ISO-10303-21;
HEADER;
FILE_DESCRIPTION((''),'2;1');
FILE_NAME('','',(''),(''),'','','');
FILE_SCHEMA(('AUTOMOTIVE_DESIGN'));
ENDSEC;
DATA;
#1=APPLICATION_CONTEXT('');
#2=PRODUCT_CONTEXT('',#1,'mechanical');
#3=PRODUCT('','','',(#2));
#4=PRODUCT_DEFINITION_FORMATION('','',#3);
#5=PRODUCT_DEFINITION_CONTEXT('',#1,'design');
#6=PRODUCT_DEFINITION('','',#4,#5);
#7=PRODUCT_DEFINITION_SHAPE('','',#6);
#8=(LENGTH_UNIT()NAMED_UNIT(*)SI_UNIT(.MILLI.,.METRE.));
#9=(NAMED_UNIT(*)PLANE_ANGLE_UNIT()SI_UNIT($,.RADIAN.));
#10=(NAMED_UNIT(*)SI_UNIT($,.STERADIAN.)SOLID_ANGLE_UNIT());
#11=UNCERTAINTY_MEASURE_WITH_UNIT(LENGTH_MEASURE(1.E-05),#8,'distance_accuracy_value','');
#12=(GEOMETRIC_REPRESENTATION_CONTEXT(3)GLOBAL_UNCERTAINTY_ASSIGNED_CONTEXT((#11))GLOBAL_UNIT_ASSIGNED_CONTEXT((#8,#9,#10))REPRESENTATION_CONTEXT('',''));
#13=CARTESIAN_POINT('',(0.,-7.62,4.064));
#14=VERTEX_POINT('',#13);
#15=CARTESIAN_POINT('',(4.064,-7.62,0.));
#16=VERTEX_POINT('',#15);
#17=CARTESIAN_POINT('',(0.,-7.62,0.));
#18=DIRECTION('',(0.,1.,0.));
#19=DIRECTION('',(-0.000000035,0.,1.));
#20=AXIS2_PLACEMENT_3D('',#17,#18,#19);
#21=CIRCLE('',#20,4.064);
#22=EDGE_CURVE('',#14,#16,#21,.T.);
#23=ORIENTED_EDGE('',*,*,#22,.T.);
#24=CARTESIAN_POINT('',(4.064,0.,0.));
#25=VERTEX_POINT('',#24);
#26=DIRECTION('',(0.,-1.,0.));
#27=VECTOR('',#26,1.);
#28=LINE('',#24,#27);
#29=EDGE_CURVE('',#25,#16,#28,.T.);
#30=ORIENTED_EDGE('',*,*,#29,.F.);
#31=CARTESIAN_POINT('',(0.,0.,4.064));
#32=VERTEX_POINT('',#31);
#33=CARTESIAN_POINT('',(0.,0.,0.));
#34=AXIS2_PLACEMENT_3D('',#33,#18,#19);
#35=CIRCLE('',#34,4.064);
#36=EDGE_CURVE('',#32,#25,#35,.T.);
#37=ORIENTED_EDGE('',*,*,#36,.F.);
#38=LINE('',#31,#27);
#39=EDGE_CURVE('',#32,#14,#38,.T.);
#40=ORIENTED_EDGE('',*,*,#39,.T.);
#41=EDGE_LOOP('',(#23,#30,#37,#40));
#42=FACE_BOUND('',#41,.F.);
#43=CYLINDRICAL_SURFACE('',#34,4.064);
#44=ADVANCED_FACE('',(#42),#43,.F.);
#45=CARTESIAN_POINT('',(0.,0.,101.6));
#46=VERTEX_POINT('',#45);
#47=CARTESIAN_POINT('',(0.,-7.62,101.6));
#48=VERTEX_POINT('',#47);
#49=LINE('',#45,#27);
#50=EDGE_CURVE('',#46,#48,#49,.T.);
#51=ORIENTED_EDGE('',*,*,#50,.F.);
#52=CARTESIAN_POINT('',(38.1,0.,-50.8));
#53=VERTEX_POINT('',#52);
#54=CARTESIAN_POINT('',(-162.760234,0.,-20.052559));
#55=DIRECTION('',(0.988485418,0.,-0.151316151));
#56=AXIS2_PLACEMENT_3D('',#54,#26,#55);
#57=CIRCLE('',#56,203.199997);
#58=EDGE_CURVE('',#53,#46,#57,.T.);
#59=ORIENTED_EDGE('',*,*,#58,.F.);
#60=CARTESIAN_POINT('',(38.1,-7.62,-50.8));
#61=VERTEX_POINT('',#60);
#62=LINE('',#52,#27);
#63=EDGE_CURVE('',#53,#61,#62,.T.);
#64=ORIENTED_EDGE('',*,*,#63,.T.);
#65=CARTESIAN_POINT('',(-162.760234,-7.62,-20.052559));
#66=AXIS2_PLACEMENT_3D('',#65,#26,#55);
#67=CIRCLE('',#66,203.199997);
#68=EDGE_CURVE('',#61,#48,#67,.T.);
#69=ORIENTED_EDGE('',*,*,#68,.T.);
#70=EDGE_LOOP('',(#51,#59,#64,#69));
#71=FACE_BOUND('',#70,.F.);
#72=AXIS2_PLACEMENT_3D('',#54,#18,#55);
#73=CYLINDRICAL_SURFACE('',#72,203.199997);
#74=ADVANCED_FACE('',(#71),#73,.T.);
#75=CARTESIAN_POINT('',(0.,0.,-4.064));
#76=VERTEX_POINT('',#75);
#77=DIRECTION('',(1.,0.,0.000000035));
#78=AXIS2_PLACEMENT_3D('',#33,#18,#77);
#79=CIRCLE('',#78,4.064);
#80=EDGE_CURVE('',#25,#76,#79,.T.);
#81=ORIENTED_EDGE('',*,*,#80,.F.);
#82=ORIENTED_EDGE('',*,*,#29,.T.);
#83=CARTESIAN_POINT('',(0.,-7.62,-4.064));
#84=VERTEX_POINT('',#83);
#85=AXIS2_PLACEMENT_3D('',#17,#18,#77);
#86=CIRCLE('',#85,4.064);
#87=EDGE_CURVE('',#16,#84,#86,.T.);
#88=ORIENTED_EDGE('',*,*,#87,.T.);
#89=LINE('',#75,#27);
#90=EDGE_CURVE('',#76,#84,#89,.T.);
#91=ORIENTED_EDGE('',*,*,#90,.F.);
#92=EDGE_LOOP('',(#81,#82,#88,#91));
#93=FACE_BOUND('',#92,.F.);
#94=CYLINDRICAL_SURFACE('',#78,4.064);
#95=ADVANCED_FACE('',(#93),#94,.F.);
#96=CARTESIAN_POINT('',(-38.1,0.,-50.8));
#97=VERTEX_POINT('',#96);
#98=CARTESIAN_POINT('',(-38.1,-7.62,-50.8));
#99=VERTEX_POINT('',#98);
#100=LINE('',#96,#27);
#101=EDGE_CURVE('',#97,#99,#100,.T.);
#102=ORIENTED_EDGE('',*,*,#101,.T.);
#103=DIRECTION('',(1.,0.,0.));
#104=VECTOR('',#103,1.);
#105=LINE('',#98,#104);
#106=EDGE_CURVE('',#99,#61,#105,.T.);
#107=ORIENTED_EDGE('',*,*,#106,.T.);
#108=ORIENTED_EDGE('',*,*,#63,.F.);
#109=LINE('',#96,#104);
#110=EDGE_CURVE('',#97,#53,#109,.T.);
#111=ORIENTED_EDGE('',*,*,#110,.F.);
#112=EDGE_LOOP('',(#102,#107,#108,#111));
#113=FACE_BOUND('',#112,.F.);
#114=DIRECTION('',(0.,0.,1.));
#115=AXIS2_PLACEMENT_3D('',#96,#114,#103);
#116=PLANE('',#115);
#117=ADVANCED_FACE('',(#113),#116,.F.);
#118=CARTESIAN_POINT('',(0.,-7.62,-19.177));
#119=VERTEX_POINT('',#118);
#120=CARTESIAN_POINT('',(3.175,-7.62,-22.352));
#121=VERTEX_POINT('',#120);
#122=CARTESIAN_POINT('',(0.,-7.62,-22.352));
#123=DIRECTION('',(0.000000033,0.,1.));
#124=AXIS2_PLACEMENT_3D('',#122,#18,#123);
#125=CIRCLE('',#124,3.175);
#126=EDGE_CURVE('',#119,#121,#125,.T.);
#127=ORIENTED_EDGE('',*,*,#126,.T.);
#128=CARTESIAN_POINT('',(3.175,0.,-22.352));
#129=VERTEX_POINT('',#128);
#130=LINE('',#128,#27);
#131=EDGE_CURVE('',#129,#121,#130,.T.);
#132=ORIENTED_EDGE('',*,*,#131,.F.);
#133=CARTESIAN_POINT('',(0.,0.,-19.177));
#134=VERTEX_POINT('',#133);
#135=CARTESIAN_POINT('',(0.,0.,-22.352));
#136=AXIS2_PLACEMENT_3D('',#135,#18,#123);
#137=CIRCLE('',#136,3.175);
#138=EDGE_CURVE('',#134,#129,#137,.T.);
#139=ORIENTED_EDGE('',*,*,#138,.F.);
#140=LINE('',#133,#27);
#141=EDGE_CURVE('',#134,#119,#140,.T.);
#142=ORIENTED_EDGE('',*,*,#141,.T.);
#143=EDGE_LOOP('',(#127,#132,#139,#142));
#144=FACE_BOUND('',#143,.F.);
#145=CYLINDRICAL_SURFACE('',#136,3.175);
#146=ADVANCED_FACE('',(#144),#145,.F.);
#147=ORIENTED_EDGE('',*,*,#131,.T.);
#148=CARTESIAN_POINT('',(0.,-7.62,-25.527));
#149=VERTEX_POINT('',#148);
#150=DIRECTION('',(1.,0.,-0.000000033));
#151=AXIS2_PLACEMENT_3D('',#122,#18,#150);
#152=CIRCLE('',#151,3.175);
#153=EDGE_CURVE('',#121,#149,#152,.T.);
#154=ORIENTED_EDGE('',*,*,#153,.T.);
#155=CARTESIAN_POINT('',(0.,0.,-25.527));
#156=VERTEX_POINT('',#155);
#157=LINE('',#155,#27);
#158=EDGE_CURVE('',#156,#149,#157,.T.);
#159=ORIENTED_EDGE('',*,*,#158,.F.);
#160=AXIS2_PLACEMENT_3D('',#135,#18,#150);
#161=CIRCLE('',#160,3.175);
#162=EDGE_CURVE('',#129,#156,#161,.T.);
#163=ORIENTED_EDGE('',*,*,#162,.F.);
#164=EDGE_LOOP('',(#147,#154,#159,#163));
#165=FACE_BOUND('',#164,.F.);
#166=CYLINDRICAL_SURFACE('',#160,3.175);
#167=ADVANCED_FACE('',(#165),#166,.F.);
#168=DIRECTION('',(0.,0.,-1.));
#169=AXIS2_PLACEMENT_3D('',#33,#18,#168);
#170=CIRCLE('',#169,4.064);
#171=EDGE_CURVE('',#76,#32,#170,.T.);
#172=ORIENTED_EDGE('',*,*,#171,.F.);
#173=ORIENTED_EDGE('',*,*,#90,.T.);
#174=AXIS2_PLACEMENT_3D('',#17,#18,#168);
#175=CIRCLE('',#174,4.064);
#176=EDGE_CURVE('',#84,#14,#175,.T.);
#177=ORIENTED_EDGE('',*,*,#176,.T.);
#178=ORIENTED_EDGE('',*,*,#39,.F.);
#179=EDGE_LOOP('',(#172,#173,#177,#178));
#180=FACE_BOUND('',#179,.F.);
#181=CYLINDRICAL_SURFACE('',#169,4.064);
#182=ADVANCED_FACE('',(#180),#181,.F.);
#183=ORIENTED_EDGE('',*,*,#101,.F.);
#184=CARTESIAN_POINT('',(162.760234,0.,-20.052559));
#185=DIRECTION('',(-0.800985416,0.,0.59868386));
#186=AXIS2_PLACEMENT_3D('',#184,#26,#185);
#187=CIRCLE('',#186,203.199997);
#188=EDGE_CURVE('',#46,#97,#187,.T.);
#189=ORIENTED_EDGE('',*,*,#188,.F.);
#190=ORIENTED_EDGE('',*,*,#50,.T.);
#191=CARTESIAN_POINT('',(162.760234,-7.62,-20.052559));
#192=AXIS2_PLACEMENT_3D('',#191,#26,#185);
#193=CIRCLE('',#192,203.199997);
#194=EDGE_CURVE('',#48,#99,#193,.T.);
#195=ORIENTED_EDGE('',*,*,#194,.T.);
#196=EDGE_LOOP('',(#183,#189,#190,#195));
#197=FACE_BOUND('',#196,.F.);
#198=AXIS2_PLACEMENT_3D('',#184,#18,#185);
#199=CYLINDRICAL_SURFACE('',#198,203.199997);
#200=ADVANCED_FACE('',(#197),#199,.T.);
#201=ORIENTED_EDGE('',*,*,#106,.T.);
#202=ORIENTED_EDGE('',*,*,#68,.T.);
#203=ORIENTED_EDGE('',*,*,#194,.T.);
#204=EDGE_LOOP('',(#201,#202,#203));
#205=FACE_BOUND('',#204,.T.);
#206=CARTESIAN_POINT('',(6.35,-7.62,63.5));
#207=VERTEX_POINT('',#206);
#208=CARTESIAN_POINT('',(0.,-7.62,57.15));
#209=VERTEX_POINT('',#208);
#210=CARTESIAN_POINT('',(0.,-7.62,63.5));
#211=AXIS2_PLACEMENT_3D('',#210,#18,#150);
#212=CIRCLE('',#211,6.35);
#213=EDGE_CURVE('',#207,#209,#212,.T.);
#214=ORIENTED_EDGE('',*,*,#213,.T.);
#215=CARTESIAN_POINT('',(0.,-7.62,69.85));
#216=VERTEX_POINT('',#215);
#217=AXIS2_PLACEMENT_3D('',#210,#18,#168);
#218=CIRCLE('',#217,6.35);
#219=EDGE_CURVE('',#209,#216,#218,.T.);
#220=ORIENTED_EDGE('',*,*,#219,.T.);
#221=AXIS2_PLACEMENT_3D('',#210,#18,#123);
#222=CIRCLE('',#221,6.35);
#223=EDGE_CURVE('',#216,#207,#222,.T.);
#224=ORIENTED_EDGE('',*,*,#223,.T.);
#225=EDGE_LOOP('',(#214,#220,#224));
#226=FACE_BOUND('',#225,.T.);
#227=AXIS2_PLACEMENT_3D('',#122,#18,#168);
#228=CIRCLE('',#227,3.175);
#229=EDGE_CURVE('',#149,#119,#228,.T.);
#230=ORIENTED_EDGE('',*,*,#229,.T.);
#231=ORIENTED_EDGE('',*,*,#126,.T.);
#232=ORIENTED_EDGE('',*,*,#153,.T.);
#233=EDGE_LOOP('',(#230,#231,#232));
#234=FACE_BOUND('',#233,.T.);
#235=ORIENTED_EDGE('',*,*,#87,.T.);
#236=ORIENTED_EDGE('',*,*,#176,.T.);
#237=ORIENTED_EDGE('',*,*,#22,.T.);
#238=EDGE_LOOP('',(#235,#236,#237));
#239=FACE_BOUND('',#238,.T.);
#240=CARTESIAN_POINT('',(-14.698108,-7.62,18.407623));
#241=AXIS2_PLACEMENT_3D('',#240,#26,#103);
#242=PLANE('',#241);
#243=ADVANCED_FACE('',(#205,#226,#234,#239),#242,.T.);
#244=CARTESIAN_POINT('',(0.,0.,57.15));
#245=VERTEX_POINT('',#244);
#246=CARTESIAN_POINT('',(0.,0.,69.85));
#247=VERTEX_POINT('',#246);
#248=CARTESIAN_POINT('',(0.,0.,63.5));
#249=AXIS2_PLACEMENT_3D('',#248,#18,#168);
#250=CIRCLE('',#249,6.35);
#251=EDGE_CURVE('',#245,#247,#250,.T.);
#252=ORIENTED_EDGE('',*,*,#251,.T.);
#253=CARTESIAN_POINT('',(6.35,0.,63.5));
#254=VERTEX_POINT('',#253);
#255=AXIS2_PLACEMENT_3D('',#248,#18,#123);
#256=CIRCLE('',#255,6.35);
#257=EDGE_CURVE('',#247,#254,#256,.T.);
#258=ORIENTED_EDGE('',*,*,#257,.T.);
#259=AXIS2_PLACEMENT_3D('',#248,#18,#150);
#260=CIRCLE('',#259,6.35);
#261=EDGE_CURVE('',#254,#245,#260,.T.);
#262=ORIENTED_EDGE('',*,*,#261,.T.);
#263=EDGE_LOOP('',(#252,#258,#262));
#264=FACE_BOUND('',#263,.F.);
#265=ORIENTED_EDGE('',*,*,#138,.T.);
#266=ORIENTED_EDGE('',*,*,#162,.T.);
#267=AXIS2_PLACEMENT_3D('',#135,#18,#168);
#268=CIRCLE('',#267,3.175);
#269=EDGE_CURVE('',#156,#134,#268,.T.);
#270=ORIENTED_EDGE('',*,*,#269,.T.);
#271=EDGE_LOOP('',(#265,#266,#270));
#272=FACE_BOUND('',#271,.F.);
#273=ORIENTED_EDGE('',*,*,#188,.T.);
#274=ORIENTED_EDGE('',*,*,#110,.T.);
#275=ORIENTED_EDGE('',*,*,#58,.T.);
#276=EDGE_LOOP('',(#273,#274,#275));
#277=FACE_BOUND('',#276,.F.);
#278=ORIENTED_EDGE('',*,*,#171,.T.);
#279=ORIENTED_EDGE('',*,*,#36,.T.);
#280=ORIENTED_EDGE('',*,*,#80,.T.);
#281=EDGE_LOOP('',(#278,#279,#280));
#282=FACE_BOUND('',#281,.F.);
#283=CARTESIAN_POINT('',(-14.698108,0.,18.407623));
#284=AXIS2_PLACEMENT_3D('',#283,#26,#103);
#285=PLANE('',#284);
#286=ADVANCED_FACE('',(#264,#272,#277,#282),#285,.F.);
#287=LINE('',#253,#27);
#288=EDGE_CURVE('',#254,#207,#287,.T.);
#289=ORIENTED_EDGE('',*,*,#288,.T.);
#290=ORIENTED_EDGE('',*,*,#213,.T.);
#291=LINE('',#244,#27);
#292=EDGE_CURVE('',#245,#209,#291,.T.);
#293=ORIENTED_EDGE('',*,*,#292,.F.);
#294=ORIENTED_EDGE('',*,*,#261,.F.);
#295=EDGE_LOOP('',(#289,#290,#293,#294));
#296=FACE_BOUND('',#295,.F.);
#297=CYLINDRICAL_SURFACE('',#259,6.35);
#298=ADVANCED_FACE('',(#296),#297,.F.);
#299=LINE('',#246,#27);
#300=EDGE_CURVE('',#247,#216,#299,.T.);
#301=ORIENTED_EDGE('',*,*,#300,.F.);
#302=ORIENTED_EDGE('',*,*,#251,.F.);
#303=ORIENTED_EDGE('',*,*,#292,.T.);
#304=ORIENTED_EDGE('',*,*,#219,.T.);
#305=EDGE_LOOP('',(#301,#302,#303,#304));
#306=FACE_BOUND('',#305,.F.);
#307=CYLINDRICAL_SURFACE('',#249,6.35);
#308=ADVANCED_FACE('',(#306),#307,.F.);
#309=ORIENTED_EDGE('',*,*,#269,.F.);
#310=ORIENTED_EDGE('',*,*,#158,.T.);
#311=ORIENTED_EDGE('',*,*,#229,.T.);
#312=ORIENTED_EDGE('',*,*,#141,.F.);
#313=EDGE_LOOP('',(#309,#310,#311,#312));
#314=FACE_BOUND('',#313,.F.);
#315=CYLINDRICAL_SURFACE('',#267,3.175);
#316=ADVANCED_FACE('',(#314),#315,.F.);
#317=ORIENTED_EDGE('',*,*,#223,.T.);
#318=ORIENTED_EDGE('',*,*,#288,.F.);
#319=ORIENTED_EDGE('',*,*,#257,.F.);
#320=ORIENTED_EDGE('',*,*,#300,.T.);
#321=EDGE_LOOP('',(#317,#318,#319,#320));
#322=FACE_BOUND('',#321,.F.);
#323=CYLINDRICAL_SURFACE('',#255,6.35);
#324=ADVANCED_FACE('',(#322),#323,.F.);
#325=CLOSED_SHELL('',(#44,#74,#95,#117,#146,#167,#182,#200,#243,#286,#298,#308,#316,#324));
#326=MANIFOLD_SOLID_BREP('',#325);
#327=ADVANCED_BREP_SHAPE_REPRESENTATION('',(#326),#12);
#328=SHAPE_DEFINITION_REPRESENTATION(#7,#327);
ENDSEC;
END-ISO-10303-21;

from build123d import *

# Parameters (mm, degrees)
F1_DEPTH = 7.62


with BuildPart() as f1:
    # F0 (on Front) → F1 (new body)
    with BuildSketch(Plane.XZ):
        with BuildLine():
            Line((0, 69.85), (0, 101.6))
            ThreePointArc((0, 101.6), (-34.372719, 29.23068), (-38.1, -50.8))
            Line((-38.1, -50.8), (0, -50.8))
            Line((0, -50.8), (0, -25.527))
            ThreePointArc((0, -25.527), (-3.175, -22.352), (0, -19.177))
            Line((0, -19.177), (0, -4.064))
            ThreePointArc((0, -4.064), (-4.064, 0), (0, 4.064))
            Line((0, 4.064), (0, 57.15))
            ThreePointArc((0, 57.15), (-6.35, 63.5), (0, 69.85))
        make_face()
        with BuildLine():
            ThreePointArc((38.1, -50.8), (34.372719, 29.23068), (0, 101.6))
            Line((0, 101.6), (0, 69.85))
            ThreePointArc((0, 69.85), (4.490128, 67.990128), (6.35, 63.5))
            ThreePointArc((6.35, 63.5), (4.490128, 59.009872), (0, 57.15))
            Line((0, 57.15), (0, 4.064))
            ThreePointArc((0, 4.064), (2.873682, 2.873682), (4.064, 0))
            ThreePointArc((4.064, 0), (2.873682, -2.873682), (0, -4.064))
            Line((0, -4.064), (0, -19.177))
            ThreePointArc((0, -19.177), (2.245064, -20.106936), (3.175, -22.352))
            ThreePointArc((3.175, -22.352), (2.245064, -24.597064), (0, -25.527))
            Line((0, -25.527), (0, -50.8))
            Line((0, -50.8), (38.1, -50.8))
        make_face()
    extrude(amount=F1_DEPTH)


solid = f1.part
